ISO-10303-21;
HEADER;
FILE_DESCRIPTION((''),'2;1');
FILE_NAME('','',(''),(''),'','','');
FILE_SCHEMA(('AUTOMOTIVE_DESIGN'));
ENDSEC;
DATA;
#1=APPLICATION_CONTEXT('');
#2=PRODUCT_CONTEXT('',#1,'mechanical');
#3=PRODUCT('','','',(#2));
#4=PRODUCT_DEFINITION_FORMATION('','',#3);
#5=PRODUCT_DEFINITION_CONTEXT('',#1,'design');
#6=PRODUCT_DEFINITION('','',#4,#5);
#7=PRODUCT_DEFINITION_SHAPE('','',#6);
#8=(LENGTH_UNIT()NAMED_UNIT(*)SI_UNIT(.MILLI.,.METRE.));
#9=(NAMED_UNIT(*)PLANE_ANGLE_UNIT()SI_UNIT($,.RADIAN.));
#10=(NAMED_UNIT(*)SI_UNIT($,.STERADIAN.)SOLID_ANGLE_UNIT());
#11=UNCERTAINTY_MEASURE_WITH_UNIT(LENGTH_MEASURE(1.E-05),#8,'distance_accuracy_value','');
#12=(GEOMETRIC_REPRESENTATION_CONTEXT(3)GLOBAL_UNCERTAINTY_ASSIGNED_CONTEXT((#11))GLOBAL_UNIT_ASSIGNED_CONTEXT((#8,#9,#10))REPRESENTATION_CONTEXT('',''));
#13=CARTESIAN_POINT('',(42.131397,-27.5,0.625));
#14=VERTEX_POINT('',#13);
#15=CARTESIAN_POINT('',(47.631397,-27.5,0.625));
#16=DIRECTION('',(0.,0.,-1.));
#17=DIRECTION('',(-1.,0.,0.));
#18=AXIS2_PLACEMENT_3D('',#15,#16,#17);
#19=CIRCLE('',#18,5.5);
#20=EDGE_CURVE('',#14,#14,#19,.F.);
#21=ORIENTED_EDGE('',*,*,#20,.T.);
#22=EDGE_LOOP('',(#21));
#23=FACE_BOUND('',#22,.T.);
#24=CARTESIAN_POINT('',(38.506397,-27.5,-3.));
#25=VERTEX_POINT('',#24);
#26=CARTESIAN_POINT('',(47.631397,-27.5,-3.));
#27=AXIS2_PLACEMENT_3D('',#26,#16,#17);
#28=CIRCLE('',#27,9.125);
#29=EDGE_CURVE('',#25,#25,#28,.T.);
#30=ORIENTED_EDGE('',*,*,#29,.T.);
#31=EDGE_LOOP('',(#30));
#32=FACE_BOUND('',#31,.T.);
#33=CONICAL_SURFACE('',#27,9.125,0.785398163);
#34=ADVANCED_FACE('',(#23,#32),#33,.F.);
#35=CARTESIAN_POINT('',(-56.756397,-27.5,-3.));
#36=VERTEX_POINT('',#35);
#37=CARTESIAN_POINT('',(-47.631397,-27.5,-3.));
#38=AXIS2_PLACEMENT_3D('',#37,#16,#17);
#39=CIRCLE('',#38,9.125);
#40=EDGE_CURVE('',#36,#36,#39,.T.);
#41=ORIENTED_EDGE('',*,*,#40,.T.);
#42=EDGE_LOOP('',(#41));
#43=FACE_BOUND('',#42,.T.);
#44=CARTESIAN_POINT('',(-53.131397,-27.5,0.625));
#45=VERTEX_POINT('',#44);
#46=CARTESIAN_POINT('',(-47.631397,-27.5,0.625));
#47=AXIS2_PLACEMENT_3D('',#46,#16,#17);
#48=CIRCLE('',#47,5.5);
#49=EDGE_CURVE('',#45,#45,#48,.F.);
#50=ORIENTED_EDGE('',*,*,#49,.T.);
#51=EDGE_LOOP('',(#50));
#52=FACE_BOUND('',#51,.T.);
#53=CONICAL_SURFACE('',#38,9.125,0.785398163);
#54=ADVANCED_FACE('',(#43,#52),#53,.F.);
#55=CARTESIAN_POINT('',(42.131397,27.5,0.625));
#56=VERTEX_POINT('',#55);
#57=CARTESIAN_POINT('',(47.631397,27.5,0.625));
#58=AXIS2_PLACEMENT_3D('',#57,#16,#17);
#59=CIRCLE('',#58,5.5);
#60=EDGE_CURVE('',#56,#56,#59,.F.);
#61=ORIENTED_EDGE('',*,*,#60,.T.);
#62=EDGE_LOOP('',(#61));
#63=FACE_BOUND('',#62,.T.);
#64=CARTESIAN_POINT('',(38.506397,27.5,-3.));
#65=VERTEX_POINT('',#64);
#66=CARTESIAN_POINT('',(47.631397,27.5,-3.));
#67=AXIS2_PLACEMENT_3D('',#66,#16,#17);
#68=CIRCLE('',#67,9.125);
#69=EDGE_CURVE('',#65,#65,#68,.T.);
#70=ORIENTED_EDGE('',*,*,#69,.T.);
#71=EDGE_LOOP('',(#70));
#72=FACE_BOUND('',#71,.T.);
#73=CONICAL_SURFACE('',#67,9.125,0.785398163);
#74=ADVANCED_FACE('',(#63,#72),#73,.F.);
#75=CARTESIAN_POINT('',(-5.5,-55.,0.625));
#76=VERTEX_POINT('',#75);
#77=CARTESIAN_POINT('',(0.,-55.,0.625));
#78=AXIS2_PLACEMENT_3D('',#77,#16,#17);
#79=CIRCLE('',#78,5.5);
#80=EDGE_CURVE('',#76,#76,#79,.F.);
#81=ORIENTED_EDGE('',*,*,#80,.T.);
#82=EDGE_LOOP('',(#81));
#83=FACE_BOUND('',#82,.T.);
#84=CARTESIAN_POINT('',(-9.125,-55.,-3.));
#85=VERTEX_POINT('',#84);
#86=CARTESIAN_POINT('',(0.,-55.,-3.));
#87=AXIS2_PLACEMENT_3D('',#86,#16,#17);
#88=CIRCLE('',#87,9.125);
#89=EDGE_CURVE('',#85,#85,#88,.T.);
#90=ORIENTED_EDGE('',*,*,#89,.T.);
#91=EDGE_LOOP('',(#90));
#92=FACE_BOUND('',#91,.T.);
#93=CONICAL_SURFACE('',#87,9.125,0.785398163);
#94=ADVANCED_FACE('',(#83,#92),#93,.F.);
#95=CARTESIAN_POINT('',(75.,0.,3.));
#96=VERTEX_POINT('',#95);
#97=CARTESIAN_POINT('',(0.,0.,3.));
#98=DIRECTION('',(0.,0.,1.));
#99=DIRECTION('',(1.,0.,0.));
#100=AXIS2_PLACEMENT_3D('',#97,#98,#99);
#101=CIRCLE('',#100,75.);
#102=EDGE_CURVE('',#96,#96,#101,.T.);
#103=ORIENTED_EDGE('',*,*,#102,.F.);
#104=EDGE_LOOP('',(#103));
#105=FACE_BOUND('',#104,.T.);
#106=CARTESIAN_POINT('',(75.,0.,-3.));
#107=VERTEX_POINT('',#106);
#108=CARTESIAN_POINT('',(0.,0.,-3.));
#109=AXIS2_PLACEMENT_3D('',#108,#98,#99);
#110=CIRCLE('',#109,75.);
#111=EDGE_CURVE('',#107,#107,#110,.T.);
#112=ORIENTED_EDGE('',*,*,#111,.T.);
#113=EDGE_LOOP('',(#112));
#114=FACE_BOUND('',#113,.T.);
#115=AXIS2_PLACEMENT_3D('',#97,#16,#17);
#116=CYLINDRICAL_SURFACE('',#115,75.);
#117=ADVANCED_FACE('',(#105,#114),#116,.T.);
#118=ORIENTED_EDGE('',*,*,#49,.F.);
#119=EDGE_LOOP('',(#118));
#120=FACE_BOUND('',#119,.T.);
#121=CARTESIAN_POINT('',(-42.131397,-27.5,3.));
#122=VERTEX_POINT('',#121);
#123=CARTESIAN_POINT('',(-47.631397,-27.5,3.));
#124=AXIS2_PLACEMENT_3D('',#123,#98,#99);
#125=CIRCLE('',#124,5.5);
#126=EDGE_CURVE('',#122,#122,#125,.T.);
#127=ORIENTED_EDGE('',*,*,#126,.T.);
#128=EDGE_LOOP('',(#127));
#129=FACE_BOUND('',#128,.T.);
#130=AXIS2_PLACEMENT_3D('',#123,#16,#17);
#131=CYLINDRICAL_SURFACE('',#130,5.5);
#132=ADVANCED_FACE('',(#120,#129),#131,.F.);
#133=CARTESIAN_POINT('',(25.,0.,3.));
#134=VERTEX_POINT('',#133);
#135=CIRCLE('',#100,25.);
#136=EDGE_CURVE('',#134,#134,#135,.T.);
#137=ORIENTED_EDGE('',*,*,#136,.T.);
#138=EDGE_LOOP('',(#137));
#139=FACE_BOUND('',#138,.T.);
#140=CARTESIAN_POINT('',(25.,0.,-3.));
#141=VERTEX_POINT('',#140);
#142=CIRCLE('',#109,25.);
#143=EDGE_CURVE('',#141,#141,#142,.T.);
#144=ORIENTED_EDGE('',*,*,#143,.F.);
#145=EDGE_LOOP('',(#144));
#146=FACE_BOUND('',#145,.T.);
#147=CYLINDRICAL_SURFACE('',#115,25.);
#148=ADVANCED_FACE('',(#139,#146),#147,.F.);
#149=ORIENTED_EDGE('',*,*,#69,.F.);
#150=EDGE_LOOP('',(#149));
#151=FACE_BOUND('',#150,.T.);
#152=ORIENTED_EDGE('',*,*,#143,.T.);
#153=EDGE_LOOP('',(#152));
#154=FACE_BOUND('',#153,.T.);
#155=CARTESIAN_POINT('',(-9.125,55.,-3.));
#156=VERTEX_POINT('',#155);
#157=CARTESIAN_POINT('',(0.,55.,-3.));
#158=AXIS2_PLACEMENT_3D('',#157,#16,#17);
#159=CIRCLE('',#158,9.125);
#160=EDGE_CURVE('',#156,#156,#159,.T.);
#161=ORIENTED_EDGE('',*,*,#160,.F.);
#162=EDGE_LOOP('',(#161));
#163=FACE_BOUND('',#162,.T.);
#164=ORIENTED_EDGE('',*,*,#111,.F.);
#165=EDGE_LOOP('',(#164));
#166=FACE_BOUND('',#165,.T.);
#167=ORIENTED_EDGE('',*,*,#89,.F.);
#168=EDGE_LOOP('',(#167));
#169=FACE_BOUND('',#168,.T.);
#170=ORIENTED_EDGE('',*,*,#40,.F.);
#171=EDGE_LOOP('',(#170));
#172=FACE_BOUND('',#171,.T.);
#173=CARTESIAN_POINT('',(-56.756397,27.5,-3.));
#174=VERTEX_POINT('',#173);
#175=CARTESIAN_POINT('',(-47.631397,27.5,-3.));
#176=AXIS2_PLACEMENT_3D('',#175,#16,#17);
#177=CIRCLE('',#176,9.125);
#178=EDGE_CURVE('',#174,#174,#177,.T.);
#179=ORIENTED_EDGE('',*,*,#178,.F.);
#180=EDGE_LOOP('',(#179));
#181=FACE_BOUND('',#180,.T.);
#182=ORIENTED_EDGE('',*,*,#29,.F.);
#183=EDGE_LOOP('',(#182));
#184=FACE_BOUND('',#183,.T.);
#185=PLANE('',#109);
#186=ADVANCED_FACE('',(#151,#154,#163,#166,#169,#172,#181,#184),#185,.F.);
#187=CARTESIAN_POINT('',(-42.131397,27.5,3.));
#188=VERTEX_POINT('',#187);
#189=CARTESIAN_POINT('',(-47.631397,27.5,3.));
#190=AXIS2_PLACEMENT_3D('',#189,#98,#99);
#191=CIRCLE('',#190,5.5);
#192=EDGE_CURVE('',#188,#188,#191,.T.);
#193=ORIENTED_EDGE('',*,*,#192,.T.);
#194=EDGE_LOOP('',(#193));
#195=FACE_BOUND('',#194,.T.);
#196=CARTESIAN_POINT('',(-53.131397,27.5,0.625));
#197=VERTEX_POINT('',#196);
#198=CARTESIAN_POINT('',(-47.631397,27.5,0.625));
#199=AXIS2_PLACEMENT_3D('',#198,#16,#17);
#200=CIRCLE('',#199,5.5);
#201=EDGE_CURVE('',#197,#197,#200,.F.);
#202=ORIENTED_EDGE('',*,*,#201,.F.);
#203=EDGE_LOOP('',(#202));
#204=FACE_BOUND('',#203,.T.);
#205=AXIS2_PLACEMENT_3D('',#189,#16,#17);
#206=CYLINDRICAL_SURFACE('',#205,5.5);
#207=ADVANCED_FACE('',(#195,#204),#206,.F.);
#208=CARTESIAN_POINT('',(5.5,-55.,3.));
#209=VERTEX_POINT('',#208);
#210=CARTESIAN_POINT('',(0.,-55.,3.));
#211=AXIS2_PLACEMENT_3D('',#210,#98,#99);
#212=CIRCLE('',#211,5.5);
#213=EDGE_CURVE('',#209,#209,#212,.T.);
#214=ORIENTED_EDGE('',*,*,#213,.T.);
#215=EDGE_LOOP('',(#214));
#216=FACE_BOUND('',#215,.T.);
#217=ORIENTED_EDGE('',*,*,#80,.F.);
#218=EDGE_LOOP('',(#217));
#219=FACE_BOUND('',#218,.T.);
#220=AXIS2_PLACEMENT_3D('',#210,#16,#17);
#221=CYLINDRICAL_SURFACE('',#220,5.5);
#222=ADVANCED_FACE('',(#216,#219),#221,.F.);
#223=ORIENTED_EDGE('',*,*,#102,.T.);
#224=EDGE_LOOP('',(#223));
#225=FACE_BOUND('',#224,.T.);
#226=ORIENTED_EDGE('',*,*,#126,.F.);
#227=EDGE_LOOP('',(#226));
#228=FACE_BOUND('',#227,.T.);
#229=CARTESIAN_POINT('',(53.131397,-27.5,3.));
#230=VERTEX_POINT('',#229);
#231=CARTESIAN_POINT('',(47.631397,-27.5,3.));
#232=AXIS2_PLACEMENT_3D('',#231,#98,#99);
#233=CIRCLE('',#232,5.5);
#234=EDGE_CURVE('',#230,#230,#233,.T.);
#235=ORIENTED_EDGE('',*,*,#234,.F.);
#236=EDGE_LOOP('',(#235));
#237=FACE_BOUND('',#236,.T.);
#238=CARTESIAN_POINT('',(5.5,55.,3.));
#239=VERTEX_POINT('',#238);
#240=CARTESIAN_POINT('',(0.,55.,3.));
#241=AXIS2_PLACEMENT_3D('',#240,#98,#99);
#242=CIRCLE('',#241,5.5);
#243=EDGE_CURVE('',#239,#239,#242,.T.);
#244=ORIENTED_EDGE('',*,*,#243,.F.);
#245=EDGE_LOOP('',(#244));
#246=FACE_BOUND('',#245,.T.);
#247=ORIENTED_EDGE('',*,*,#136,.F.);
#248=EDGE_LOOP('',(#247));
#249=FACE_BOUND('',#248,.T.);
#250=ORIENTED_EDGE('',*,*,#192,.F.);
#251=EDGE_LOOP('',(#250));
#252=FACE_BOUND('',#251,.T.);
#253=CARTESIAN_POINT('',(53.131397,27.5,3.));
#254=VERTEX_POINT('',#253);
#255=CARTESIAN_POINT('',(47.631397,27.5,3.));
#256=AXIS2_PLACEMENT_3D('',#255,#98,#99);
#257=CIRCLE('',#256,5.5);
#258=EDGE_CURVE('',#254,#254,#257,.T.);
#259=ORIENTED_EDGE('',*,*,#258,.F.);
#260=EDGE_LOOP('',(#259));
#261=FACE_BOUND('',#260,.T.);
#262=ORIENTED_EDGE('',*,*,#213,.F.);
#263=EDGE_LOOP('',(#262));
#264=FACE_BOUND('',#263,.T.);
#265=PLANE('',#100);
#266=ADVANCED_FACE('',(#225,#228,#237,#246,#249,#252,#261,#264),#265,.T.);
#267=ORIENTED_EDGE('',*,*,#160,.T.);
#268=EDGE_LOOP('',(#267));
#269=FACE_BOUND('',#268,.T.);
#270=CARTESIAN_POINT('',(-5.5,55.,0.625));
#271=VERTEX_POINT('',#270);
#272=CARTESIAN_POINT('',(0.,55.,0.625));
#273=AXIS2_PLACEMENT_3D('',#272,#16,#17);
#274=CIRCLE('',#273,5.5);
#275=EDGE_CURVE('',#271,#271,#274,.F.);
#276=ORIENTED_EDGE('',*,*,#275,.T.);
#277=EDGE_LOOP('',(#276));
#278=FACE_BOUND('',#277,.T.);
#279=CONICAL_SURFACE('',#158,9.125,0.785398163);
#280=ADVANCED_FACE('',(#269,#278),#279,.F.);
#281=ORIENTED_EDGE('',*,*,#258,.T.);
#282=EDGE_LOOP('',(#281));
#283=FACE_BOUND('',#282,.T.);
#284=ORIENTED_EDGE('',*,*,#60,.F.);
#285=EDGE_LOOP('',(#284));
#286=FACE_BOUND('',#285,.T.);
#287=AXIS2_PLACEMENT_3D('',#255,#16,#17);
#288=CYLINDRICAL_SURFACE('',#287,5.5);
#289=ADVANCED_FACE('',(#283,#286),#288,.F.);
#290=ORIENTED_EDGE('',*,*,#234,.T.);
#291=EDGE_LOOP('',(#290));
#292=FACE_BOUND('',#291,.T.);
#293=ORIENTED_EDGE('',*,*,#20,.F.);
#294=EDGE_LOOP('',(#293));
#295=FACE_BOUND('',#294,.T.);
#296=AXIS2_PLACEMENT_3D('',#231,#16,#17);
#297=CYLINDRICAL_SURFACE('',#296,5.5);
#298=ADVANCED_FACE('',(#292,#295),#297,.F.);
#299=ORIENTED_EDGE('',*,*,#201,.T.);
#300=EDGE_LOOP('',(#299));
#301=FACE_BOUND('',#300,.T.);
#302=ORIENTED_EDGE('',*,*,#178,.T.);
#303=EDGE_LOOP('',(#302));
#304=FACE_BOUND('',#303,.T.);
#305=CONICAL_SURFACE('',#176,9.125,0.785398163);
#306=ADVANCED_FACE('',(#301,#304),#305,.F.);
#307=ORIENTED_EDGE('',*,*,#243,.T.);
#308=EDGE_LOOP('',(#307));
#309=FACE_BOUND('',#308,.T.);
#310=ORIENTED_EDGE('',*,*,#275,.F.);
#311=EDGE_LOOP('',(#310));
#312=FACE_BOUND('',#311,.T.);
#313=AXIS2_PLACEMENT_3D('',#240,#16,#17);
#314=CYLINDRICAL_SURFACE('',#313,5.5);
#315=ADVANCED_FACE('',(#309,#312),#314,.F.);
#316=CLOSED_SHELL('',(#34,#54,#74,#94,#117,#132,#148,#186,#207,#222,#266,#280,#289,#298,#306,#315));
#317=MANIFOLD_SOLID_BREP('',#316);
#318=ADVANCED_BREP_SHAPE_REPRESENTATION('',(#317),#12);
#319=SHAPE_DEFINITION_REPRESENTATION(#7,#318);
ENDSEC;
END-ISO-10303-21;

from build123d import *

# Parameters (mm, degrees)
SKETCH_1_R                  = 75
SKETCH_1_R_2                = 25
SKETCH_1_R_3                = 5.5
EXTRUDE_1_DEPTH             = 3
HOLE_WIZARD_M81_D           = 9
HOLE_WIZARD_M81_DEPTH       = 17
HOLE_WIZARD_M81_CSINK_D     = 18.25
HOLE_WIZARD_M81_CSINK_ANGLE = 90
HOLE_WIZARD_M81_TIP         = 2.703872786


with BuildPart() as part:
    # Эскиз1 → Бобышка-Вытянуть1 (new, symmetric)
    with BuildSketch(Plane.XY):
        Circle(SKETCH_1_R)
        Circle(SKETCH_1_R_2, mode=Mode.SUBTRACT)
        with Locations((0, 55)):
            Circle(SKETCH_1_R_3, mode=Mode.SUBTRACT)
        with Locations((47.631397208, 27.5)):
            Circle(SKETCH_1_R_3, mode=Mode.SUBTRACT)
        with Locations((47.631397208, -27.5)):
            Circle(SKETCH_1_R_3, mode=Mode.SUBTRACT)
        with Locations((0, -55)):
            Circle(SKETCH_1_R_3, mode=Mode.SUBTRACT)
        with Locations((-47.631397208, -27.5)):
            Circle(SKETCH_1_R_3, mode=Mode.SUBTRACT)
        with Locations((-47.631397208, 27.5)):
            Circle(SKETCH_1_R_3, mode=Mode.SUBTRACT)
    extrude(amount=EXTRUDE_1_DEPTH, both=True)

    # Зенковка для винта с потайной головкой и внутренним шестигранником M81
    with Locations(Plane(origin=(0, 0, -3), x_dir=(-1, 0, 0), z_dir=(0, 0, -1))):
        with Locations((0, 55), (47.631397208, 27.5), (47.631397208, -27.5), (0, -55), (-47.631397208, -27.5), (-47.631397208, 27.5)):
            CounterSinkHole(HOLE_WIZARD_M81_D / 2, HOLE_WIZARD_M81_CSINK_D / 2, depth=HOLE_WIZARD_M81_DEPTH, counter_sink_angle=HOLE_WIZARD_M81_CSINK_ANGLE)
            with Locations((0, 0, -(HOLE_WIZARD_M81_DEPTH + HOLE_WIZARD_M81_TIP / 2))):  # 118° drill point
                Cone(0, HOLE_WIZARD_M81_D / 2, HOLE_WIZARD_M81_TIP, mode=Mode.SUBTRACT)


solid = part.part
